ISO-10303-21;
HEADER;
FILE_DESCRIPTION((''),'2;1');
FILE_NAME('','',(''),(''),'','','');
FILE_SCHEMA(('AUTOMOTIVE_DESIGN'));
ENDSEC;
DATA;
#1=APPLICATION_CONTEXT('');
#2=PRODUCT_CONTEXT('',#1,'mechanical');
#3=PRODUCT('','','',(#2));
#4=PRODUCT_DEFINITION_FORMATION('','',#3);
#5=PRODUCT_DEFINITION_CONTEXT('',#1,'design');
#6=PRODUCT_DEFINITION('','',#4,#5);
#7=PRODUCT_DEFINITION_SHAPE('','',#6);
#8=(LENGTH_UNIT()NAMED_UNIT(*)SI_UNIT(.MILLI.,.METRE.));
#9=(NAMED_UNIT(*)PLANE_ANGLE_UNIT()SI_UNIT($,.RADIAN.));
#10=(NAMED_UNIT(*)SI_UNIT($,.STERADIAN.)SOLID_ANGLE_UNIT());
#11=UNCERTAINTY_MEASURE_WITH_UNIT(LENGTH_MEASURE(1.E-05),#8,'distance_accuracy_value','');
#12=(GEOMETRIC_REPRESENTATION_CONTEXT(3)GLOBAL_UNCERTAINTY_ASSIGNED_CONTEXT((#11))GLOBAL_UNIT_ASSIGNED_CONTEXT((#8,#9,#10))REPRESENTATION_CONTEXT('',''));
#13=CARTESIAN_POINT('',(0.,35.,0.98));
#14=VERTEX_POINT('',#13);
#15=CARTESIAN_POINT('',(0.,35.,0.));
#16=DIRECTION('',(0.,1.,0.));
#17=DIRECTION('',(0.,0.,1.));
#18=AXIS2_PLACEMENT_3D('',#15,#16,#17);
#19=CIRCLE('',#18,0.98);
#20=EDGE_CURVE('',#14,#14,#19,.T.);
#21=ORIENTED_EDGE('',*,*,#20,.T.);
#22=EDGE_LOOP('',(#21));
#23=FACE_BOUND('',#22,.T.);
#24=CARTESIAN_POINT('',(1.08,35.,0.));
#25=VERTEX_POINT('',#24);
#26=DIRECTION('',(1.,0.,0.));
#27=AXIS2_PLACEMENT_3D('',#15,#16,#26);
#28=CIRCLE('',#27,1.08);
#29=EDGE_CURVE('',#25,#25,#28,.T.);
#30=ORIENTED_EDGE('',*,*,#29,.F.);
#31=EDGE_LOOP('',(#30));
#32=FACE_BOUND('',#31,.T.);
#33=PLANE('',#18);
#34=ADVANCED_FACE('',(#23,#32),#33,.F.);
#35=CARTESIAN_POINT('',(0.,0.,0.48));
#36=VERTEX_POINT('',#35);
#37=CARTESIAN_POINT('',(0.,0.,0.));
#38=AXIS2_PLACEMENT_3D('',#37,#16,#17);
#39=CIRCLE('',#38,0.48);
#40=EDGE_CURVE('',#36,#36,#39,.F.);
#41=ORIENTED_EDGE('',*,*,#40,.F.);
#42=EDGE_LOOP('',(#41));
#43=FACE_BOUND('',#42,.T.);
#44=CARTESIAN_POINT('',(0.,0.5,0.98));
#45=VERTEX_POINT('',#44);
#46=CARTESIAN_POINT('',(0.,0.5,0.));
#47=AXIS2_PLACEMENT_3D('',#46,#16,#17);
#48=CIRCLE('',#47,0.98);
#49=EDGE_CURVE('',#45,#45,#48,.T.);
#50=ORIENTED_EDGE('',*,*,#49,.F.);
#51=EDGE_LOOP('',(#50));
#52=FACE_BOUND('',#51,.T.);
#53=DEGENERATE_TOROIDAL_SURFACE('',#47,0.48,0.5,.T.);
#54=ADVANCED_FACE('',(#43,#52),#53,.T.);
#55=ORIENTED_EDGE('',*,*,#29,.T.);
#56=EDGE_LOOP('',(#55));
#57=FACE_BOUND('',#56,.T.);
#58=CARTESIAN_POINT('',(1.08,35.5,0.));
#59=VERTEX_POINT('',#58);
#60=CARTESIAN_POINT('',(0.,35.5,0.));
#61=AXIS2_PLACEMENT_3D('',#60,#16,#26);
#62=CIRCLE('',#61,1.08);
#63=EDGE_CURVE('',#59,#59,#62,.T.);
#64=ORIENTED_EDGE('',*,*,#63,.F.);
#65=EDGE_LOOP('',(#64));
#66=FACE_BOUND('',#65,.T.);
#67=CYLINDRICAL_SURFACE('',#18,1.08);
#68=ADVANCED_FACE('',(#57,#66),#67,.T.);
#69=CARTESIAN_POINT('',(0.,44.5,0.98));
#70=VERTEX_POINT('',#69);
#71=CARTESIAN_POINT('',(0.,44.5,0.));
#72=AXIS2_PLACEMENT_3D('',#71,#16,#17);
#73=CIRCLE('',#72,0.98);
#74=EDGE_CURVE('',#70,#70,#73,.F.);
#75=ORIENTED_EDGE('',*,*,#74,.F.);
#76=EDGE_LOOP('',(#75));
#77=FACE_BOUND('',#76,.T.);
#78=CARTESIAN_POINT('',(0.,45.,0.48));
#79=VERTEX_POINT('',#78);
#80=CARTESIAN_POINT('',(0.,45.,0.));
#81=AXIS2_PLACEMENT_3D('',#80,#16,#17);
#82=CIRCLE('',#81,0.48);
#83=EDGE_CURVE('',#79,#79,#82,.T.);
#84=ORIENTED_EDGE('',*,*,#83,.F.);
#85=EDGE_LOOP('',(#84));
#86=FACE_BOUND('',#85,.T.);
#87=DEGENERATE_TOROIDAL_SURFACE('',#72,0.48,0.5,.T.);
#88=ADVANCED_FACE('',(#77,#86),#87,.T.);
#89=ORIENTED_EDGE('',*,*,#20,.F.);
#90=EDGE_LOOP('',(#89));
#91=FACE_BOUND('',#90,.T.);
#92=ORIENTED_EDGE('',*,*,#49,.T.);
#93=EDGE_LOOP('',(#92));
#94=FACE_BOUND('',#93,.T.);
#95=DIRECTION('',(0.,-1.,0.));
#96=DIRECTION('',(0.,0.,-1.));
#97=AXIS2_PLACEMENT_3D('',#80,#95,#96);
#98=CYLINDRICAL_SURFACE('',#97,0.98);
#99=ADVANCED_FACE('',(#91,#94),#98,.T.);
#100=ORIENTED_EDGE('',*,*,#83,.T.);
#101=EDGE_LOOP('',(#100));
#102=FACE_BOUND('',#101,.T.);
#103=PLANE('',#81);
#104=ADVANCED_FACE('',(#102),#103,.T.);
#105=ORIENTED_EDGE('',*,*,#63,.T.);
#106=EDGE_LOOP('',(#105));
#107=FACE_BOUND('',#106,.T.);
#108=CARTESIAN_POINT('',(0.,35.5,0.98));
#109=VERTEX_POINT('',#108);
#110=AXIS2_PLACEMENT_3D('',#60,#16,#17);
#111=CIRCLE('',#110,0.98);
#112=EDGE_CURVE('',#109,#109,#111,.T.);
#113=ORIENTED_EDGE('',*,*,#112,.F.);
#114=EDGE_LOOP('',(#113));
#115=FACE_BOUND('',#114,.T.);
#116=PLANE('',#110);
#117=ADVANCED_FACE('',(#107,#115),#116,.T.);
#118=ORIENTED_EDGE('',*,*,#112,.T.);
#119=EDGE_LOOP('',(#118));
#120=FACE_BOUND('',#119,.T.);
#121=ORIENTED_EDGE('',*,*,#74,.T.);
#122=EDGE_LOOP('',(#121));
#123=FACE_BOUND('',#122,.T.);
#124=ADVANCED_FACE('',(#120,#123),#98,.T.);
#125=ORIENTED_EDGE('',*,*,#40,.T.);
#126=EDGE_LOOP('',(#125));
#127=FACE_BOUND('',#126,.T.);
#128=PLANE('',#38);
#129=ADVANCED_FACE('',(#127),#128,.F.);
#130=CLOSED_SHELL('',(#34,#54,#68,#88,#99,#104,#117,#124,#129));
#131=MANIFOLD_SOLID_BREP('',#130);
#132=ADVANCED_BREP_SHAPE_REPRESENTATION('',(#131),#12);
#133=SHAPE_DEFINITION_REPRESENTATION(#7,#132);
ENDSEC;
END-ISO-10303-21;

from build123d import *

# Parameters (mm, degrees)
SKETCH_1_R        = 0.98
EXTRUDE_1_DEPTH   = 45
FILLET_1_R        = 0.5
SKETCH_2_R        = 1.08
SKETCH_2_R_2      = 0.98
EXTRUDE_1_2_DEPTH = 0.5


with BuildPart() as part:
    # 草图1 → Extrude 1 (new body)
    with BuildSketch(Plane(origin=(0, 0, 0), x_dir=(1, 0, 0), z_dir=(0, 1, 0))):
        Circle(SKETCH_1_R)
    extrude(amount=EXTRUDE_1_DEPTH)

    # 圆角1
    fillet_1_edges = [part.edges().sort_by_distance(p)[0] for p in [
        (-0.98, 0, 0),
        (-0.98, 45, 0),
    ]]
    fillet(fillet_1_edges, radius=FILLET_1_R)

    # 草图2 → Extrude 1 2 (add)
    with BuildSketch(Plane(origin=(0, 35.5, 0), x_dir=(1, 0, 0), z_dir=(0, 1, 0))):
        Circle(SKETCH_2_R)
        Circle(SKETCH_2_R_2, mode=Mode.SUBTRACT)
    extrude(amount=-EXTRUDE_1_2_DEPTH)


solid = part.part
